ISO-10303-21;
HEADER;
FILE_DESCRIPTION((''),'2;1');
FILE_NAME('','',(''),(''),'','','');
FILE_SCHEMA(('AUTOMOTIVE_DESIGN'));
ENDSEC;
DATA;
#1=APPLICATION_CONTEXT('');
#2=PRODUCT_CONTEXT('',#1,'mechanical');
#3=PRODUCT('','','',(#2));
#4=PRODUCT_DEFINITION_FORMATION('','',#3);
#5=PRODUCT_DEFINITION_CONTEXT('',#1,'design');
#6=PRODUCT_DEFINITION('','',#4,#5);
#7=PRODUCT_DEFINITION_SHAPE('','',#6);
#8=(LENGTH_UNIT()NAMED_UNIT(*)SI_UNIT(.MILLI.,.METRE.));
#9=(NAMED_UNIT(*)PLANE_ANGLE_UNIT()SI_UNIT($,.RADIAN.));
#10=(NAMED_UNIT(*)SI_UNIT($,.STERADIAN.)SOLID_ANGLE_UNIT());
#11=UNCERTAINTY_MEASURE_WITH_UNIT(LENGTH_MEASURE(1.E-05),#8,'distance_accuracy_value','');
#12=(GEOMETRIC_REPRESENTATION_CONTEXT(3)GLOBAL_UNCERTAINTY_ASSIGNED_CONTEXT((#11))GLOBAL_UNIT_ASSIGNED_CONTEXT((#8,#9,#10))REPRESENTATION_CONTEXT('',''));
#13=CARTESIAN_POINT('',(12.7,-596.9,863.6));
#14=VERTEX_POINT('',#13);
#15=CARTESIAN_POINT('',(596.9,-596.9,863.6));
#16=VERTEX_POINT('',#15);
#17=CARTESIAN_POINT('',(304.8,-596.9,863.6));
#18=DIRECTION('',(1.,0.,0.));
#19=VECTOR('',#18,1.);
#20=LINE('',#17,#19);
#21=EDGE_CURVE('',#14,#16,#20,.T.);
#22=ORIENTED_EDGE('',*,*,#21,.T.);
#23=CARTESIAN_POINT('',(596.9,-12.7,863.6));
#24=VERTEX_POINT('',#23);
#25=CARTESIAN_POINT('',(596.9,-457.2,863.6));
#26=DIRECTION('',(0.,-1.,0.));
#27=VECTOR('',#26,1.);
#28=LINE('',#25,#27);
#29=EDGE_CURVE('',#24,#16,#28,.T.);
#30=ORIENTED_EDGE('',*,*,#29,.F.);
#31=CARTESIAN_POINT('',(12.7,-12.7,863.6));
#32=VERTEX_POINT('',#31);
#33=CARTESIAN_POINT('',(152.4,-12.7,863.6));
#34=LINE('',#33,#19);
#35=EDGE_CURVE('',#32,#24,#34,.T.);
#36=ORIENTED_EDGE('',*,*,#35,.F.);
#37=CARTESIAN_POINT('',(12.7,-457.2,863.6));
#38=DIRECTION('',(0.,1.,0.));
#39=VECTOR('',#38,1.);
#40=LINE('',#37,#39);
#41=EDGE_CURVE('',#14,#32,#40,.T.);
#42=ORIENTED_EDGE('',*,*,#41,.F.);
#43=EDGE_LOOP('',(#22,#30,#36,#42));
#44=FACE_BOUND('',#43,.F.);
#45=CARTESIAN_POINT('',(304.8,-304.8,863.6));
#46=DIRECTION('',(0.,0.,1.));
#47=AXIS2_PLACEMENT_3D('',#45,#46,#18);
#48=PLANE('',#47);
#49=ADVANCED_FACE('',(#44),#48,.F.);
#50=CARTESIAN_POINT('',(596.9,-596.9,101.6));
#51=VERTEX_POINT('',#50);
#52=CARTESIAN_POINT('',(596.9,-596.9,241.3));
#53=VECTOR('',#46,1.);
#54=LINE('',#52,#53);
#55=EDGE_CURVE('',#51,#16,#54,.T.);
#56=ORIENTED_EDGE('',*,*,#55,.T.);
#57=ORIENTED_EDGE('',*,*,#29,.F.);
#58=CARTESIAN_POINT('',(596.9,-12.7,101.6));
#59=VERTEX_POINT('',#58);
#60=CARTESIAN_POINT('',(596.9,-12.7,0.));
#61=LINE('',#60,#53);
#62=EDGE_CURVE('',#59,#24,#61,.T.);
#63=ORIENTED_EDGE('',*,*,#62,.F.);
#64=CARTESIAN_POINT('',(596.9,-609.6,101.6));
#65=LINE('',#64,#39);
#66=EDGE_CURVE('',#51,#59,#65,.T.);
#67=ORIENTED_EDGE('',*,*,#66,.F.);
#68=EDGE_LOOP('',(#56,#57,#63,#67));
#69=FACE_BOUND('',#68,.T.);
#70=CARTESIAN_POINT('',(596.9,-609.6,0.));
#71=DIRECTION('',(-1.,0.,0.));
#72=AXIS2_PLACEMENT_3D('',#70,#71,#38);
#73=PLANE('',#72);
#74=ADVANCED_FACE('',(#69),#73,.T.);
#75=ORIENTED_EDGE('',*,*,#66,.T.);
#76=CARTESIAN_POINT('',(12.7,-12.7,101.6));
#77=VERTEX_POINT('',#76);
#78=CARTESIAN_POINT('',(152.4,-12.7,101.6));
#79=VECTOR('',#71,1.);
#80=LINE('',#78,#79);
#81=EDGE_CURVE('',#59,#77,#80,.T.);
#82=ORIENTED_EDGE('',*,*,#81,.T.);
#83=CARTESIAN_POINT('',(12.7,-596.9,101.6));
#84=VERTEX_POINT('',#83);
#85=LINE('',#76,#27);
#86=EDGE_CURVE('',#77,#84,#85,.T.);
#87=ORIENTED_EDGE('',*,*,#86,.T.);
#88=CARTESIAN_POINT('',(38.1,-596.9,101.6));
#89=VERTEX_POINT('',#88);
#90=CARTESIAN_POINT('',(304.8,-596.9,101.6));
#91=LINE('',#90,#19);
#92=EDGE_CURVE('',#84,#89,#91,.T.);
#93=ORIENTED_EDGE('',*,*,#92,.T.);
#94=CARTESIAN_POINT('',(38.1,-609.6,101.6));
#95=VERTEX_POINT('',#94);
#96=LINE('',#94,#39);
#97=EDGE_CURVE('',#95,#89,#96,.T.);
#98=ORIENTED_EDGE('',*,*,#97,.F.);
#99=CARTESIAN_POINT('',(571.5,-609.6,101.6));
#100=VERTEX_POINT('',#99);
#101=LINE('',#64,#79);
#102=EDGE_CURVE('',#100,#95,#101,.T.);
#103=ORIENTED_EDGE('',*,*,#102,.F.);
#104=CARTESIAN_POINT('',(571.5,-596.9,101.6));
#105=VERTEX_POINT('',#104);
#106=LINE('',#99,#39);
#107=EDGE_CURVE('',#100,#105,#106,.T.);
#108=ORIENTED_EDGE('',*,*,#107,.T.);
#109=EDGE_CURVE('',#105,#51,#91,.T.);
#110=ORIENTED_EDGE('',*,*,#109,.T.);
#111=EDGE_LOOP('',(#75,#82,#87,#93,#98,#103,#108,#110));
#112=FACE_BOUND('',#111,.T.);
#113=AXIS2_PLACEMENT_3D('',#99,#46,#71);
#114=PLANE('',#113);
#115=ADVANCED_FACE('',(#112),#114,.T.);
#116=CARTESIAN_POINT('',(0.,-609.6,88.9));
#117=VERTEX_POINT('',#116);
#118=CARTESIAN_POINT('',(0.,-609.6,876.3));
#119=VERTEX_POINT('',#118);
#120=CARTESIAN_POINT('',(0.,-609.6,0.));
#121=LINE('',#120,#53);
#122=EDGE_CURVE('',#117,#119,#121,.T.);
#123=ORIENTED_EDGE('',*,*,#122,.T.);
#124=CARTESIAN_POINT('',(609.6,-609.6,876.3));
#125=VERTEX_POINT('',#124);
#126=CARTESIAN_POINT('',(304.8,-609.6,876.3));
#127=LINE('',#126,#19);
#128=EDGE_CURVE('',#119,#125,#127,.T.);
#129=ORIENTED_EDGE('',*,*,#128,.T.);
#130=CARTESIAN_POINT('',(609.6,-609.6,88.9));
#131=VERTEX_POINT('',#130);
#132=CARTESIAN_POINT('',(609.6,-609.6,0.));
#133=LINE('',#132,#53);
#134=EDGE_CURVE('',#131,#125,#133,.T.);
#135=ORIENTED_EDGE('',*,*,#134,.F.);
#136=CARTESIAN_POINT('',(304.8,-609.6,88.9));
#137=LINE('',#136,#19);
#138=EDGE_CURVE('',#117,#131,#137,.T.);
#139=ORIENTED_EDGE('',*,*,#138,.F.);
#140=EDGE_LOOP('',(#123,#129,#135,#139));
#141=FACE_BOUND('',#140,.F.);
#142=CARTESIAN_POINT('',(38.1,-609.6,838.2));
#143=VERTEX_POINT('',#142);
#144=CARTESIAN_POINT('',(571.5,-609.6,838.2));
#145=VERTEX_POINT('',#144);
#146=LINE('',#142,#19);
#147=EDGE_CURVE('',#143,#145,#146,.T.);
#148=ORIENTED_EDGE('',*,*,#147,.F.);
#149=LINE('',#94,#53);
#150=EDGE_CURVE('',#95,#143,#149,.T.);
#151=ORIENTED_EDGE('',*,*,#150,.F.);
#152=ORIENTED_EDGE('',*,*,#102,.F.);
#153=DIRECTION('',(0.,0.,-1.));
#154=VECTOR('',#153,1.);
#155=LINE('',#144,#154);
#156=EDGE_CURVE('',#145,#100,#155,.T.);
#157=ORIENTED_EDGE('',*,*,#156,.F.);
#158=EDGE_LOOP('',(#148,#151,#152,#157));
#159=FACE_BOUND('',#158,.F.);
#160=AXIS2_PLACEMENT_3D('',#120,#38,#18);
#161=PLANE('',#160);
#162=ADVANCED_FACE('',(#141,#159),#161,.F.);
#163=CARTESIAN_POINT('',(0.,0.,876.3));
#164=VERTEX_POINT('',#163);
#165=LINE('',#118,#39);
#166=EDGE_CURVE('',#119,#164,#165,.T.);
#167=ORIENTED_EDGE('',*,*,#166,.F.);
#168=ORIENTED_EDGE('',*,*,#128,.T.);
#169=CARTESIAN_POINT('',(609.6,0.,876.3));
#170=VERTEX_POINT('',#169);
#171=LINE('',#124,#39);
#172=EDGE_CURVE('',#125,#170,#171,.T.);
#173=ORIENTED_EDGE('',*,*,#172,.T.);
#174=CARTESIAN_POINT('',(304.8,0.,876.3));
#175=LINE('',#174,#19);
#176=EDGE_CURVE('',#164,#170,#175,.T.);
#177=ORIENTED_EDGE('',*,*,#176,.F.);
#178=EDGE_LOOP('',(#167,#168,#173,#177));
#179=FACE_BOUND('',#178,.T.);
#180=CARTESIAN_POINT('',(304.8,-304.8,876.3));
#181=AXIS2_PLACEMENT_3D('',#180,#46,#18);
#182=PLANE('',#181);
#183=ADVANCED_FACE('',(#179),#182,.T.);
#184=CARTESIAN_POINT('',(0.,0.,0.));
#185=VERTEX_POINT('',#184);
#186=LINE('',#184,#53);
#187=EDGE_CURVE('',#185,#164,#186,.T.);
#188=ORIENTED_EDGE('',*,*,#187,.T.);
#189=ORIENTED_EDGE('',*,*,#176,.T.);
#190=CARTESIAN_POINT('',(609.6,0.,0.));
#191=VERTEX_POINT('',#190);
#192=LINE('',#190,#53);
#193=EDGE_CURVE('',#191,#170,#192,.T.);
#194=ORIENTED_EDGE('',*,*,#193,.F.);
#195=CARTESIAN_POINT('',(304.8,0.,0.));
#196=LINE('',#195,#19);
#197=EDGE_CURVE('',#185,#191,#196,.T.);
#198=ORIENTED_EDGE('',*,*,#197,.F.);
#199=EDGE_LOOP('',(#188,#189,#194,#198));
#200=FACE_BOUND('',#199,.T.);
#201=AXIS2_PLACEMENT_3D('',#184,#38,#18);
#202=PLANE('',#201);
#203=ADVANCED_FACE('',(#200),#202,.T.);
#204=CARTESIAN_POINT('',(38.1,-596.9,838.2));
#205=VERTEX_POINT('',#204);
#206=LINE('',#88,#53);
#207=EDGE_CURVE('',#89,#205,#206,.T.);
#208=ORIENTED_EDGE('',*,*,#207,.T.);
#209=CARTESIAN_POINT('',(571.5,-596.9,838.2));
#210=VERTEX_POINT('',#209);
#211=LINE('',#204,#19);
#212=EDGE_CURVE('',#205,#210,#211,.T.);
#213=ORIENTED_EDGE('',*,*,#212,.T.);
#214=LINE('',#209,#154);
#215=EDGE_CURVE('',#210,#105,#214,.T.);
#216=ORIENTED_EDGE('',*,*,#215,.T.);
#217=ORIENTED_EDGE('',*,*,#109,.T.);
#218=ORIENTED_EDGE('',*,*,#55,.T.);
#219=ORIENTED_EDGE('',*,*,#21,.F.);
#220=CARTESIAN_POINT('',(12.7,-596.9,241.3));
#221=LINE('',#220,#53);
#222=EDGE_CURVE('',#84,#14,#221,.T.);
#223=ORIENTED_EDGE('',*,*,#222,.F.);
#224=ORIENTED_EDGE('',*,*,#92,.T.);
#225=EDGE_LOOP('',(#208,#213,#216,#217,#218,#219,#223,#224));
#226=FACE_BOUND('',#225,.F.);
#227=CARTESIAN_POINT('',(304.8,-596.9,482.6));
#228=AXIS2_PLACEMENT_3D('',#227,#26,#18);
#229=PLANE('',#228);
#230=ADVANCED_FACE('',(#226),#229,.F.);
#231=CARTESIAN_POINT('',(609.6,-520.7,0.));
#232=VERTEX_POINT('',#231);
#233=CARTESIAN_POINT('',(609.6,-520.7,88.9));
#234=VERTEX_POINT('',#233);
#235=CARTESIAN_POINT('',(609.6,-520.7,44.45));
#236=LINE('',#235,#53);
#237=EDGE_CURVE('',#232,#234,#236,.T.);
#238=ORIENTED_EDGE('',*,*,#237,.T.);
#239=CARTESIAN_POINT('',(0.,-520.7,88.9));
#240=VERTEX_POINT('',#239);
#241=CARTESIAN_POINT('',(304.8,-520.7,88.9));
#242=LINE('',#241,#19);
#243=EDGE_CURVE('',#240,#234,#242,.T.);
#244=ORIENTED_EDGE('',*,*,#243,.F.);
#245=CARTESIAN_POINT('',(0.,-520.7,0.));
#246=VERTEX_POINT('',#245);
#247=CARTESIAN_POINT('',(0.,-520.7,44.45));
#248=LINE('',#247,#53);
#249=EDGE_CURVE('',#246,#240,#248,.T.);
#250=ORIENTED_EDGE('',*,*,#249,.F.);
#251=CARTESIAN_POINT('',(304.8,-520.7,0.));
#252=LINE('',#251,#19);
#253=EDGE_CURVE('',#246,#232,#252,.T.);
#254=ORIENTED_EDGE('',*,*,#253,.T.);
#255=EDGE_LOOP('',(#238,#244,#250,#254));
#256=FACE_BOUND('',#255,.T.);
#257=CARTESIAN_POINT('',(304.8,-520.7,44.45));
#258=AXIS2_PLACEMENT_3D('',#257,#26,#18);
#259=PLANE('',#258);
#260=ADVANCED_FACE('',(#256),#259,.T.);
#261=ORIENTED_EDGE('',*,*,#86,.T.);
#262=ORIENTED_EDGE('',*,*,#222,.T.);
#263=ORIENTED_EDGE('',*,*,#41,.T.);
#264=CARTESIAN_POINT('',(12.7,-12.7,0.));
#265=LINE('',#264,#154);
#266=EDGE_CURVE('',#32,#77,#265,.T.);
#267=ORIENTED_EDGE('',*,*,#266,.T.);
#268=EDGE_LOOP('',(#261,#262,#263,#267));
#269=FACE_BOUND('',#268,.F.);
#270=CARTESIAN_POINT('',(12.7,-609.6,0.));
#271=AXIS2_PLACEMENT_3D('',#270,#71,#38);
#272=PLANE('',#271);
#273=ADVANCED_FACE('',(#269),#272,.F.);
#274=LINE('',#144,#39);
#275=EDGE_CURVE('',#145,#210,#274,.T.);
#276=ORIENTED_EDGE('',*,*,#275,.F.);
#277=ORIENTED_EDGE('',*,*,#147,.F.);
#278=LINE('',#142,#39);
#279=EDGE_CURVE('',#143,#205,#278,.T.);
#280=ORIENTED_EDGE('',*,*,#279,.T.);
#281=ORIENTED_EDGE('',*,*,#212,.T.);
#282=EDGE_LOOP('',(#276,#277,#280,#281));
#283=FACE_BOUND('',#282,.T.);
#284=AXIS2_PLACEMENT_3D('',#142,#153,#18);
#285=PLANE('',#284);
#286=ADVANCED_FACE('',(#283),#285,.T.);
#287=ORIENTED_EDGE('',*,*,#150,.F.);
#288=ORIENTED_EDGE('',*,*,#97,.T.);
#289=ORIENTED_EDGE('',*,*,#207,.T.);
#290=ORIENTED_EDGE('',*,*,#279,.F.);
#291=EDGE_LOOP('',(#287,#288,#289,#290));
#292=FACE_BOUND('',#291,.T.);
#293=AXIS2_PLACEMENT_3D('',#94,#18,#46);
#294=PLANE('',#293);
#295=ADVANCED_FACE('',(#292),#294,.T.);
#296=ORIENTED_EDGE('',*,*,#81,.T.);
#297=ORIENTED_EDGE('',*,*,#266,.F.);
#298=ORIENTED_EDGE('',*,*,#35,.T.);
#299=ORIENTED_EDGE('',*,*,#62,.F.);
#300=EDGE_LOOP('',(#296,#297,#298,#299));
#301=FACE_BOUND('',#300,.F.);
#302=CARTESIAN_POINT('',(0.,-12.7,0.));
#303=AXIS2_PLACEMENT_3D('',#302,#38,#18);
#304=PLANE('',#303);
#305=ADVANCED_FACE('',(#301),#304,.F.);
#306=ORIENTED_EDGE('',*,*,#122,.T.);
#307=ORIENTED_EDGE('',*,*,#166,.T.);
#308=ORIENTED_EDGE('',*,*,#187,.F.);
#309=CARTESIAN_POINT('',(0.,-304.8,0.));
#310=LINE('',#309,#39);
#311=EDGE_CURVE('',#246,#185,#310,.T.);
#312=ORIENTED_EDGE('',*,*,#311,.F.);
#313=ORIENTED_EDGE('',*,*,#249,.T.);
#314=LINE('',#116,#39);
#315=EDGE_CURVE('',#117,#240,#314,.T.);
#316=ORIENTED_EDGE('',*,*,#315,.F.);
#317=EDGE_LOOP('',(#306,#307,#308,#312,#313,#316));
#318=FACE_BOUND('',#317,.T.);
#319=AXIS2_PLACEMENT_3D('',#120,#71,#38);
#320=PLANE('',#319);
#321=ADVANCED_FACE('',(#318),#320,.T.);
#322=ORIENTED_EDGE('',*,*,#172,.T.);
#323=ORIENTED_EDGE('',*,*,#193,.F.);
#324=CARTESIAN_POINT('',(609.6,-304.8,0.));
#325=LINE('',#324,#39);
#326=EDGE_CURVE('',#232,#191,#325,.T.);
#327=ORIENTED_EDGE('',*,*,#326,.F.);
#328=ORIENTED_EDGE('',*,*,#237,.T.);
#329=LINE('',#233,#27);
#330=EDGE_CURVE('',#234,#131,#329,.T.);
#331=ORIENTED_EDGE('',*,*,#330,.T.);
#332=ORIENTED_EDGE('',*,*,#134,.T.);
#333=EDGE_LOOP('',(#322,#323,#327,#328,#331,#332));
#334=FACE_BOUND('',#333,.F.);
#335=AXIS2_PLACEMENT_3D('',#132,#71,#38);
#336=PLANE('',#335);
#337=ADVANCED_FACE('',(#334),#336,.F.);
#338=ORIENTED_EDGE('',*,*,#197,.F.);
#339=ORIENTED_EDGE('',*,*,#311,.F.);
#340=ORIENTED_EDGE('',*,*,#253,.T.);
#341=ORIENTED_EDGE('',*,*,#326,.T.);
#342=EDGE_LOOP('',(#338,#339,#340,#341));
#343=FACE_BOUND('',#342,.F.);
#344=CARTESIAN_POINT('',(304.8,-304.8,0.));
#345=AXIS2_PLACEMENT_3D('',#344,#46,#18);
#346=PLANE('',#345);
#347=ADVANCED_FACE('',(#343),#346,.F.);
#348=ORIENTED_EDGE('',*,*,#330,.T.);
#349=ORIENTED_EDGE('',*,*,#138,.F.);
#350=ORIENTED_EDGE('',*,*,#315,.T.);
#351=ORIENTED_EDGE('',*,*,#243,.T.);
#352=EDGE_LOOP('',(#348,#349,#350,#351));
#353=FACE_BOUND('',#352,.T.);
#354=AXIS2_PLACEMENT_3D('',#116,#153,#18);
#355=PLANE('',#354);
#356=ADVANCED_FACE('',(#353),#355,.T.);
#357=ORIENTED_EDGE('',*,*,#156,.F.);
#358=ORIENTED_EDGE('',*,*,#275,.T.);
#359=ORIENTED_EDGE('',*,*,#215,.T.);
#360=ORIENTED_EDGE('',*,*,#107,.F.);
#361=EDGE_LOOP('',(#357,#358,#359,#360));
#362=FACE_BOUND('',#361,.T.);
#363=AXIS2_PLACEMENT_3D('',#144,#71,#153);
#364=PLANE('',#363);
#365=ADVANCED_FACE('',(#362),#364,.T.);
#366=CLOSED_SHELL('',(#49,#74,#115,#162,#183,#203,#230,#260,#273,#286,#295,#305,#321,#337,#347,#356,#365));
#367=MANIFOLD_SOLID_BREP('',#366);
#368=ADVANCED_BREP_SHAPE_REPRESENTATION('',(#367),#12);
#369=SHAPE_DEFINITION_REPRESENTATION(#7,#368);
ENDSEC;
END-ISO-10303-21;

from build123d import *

# Parameters (mm, degrees)
F0_W     = 609.6
F0_H     = 609.6
F1_DEPTH = 876.3
F2_W     = 609.6
F2_H     = 88.9
F3_DEPTH = 88.9
F4_T     = -12.7
F5_DEPTH = 88.9
F6_W     = 609.6
F6_H     = 787.4
F7_DEPTH = 12.7


with BuildPart() as f1:
    # F0 (on Top) → F1 (new body)
    with BuildSketch(Plane.XY):
        with Locations((304.8, -304.8)):
            Rectangle(F0_W, F0_H)
    extrude(amount=F1_DEPTH)

    # F2 (on face) → F3 (cut)
    with BuildSketch(Plane.XZ.offset(609.6)):
        with Locations((304.8, 44.45)):
            Rectangle(F2_W, F2_H)
    extrude(amount=-F3_DEPTH, mode=Mode.SUBTRACT)

    # F4
    f4_openings = [f1.faces().sort_by_distance(p)[0] for p in [
        (304.8, -609.6, 482.6),
    ]]
    offset(amount=F4_T, openings=f4_openings, kind=Kind.INTERSECTION)

    # F5 (add, through all): a face of the model
    f5_faces = [f1.faces().sort_by_distance(p)[0] for p in [
        (304.8, -260.35, 12.7),
    ]]
    extrude(f5_faces, amount=F5_DEPTH)

    # F6 (on face) → F7 (join)
    with BuildSketch(Plane.XZ.offset(609.6)):
        with Locations((304.8, 482.6)):
            Rectangle(F6_W, F6_H)
        Polygon((571.5, 101.6), (38.1, 101.6), (12.7, 101.6), (12.7, 863.6), (596.9, 863.6), (596.9, 101.6), align=None, mode=Mode.SUBTRACT)
        Polygon((38.1, 101.6), (38.1, 838.2), (571.5, 838.2), (571.5, 101.6), (596.9, 101.6), (596.9, 863.6), (12.7, 863.6), (12.7, 101.6), align=None)
    extrude(amount=-F7_DEPTH)


solid = f1.part
